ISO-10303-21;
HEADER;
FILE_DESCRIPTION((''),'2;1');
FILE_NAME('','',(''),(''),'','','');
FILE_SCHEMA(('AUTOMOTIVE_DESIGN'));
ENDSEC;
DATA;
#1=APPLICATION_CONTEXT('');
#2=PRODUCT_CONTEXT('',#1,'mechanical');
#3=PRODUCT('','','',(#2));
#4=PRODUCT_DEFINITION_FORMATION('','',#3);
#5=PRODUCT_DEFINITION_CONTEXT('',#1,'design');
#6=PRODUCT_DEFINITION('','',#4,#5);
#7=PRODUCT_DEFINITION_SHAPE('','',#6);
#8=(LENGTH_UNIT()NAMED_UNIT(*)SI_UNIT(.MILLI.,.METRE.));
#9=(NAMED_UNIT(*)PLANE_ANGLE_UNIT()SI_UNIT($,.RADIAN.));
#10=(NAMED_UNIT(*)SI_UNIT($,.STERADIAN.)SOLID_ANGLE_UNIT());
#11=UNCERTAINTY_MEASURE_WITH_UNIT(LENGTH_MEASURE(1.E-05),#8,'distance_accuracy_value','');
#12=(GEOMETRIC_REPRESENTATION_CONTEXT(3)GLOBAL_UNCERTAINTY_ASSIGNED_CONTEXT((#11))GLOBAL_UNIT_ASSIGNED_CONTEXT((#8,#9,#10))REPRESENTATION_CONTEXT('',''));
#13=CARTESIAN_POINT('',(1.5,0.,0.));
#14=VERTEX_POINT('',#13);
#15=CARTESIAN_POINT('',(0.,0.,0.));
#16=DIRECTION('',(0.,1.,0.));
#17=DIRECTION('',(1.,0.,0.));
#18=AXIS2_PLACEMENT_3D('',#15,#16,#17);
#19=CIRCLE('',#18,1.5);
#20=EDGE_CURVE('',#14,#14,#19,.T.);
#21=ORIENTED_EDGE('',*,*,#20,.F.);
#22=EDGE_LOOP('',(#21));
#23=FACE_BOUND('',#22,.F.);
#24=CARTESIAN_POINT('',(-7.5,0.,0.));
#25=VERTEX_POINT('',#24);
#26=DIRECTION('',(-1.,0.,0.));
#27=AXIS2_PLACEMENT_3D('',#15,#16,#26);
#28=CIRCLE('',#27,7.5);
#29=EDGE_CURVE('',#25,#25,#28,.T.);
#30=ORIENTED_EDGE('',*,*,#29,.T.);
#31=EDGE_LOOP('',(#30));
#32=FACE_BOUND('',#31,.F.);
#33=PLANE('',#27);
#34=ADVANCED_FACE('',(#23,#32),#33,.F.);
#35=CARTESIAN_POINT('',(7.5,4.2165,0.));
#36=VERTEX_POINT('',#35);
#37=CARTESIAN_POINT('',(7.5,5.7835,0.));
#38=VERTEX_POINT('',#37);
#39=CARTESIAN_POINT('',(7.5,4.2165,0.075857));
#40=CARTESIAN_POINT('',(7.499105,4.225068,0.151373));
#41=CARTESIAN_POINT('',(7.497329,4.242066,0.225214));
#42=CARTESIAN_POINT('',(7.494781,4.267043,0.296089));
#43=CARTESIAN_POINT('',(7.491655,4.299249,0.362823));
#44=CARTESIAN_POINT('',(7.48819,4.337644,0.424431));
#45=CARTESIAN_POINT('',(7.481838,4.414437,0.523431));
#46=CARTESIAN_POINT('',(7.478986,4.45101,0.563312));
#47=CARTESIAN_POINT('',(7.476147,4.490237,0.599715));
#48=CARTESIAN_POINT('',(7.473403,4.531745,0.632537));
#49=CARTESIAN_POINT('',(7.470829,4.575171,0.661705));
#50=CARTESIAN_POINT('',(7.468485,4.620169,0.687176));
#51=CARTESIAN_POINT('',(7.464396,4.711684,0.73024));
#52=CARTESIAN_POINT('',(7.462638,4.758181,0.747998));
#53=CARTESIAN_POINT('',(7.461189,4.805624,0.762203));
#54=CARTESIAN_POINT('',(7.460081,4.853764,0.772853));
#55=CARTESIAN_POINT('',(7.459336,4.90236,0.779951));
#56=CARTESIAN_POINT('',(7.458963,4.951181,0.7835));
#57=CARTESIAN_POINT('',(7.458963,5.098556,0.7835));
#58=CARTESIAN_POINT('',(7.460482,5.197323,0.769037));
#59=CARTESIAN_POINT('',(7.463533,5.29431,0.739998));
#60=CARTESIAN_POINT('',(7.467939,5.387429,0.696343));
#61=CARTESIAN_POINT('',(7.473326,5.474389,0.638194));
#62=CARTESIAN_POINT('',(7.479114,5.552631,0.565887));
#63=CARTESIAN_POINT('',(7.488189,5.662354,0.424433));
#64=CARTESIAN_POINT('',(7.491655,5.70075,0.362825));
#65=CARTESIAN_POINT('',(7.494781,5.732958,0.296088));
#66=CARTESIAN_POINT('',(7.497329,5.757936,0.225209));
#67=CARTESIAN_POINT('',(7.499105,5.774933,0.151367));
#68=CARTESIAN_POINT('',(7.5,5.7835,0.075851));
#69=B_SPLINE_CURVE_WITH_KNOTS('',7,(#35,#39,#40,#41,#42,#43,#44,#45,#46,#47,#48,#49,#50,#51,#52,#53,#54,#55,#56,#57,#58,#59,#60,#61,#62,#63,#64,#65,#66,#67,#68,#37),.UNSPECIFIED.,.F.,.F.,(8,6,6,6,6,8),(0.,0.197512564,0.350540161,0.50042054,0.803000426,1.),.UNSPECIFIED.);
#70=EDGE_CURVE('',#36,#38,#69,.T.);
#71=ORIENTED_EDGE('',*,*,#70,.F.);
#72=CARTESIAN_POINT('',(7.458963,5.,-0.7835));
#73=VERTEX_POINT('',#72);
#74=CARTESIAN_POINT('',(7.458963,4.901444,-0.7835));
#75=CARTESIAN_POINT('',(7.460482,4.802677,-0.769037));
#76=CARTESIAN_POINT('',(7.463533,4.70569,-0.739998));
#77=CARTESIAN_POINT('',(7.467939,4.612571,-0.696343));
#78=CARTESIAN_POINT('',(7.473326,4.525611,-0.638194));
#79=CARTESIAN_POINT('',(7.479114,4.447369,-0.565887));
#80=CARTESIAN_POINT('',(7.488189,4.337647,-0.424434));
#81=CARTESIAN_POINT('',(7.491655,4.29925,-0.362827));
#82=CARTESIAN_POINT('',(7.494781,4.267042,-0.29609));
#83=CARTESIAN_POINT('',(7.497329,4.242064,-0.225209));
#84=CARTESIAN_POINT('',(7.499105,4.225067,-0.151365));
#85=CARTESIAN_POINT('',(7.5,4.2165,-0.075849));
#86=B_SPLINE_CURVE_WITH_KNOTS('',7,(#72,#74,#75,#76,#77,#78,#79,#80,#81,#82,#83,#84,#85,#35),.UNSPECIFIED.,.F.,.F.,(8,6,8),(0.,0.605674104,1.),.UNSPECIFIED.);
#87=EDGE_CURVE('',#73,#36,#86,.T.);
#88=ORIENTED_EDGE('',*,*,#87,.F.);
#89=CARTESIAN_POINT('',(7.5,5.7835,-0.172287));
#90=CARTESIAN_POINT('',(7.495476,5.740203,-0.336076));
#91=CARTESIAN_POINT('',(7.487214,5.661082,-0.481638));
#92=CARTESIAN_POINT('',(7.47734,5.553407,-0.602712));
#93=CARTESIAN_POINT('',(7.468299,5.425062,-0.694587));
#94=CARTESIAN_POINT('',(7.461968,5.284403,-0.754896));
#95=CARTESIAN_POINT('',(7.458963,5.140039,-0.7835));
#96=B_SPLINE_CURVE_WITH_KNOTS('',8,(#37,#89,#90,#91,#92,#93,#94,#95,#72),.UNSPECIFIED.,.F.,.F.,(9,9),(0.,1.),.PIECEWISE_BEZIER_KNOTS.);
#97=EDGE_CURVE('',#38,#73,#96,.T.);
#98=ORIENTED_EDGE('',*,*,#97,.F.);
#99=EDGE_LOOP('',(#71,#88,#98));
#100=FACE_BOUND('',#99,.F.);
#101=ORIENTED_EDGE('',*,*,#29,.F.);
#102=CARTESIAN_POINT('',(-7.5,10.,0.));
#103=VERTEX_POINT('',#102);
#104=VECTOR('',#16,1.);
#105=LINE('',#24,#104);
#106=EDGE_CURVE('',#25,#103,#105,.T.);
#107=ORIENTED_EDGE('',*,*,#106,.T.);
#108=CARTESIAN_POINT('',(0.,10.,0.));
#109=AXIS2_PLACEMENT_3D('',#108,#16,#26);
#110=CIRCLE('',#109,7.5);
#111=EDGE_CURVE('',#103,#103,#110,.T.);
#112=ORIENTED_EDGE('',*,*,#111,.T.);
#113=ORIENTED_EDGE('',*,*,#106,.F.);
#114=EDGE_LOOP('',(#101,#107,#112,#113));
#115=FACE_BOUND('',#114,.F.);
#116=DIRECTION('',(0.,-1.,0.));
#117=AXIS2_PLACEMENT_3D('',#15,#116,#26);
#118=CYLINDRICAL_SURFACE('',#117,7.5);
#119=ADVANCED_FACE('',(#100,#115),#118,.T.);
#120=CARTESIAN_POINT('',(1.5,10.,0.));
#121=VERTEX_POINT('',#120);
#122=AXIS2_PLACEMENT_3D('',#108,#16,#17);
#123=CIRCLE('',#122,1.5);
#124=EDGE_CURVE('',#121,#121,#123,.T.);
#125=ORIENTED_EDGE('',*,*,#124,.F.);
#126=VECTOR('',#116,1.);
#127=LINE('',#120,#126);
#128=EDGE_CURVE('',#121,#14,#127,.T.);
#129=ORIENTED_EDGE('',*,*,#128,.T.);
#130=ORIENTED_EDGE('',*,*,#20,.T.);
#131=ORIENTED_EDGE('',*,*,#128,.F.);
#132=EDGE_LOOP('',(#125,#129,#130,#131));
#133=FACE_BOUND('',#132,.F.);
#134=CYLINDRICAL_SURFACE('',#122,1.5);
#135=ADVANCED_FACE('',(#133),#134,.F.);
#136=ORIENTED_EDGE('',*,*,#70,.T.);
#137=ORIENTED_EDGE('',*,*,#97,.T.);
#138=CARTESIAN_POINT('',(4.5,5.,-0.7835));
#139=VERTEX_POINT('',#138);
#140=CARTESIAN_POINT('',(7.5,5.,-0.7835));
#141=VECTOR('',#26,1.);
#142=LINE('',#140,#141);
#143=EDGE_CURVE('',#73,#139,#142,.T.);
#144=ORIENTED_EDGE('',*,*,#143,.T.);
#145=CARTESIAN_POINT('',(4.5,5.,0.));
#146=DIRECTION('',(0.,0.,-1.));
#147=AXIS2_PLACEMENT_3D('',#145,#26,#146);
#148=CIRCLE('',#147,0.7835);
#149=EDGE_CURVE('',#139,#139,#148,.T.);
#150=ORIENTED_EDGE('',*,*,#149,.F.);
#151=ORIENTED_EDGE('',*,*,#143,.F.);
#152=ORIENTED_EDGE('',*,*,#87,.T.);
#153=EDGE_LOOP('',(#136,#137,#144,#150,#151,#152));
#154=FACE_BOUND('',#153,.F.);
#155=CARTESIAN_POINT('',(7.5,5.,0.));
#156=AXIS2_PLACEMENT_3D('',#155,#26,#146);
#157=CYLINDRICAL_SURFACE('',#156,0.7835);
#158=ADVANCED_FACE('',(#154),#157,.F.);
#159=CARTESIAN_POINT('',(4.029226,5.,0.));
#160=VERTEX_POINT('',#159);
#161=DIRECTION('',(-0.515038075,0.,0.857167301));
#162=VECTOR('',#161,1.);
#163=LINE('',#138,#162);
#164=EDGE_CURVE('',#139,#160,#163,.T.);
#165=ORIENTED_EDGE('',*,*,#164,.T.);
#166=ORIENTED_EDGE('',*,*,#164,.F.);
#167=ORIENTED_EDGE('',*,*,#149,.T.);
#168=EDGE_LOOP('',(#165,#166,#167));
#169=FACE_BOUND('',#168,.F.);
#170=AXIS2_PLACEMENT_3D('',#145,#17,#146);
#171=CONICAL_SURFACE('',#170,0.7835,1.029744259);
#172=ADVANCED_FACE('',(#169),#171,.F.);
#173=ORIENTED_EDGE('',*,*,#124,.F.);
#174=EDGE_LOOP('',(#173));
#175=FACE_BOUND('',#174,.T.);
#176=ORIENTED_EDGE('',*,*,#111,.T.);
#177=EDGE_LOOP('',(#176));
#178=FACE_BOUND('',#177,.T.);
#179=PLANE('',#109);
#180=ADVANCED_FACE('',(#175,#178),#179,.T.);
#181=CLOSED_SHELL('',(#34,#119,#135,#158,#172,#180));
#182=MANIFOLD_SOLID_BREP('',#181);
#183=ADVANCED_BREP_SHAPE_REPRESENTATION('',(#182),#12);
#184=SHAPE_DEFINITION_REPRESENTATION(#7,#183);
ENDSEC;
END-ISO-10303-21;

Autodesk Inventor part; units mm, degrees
ref_plane "XZ Plane" through (0, 0, 0) normal (0, 1, 0) x (-1, 0, 0)
ref_plane "XY Plane" through (0, 0, 0) normal (0, 0, 1) x (1, 0, 0)
sketch "草图1" plane through (0, 0, 0) normal (0, 1, 0) x (-1, 0, 0)
  circle A0 centre (0, 0) radius 7.5
  dimension "d0" = 15
extrude "拉伸1" add sketch "草图1" along normal blind 10
sketch "草图2" plane through (0, 10, 0) normal (0, 1, 0) x (1, 0, 0)
  circle A0 centre (0, 0) radius 1.5
  circle A1 centre (0, 0) radius 7.5 projected
  dimension "d3" = 3
  dimension "d4" = 0
  dimension "d5" = 0
extrude "拉伸2" cut sketch "草图2" against normal blind 10 contours A0
sketch "草图3" plane through (0, 0, 0) normal (0, -1, 0) x (1, 0, 0)
  point P0 (0, 0)
ref_plane "工作平面1" through (7.5, 0, 0) normal (1, 0, 0) x (0, 1, 0)
sketch "草图4" plane through (7.5, 0, 0) normal (1, 0, 0) x (0, 1, 0)
  line L0 (0, -7.5) -> (0, 7.5) projected
  line L1 (10, -7.5) -> (10, 7.5) projected
  line L2 (0, 7.5) -> (10, 7.5) projected
  line L3 (0, -7.5) -> (10, -7.5) projected
  point P0 (0, 0)
sketch "草图5" plane through (7.5, 0, 0) normal (1, 0, 0) x (0, 1, 0)
  line L0 (10, -7.5) -> (10, 7.5) projected
  point P0 (0, 0)
  point P1 (5, 0)
  dimension "d8" = 5
hole "孔1" at (7.5, 5, 0) direction (-1, 0, 0) diameter 1.567 depth 3 tip angle 118 thread size "M2x0.4" class "6H" standard "ISO Metric profile"
properties part number "微型联轴器"
